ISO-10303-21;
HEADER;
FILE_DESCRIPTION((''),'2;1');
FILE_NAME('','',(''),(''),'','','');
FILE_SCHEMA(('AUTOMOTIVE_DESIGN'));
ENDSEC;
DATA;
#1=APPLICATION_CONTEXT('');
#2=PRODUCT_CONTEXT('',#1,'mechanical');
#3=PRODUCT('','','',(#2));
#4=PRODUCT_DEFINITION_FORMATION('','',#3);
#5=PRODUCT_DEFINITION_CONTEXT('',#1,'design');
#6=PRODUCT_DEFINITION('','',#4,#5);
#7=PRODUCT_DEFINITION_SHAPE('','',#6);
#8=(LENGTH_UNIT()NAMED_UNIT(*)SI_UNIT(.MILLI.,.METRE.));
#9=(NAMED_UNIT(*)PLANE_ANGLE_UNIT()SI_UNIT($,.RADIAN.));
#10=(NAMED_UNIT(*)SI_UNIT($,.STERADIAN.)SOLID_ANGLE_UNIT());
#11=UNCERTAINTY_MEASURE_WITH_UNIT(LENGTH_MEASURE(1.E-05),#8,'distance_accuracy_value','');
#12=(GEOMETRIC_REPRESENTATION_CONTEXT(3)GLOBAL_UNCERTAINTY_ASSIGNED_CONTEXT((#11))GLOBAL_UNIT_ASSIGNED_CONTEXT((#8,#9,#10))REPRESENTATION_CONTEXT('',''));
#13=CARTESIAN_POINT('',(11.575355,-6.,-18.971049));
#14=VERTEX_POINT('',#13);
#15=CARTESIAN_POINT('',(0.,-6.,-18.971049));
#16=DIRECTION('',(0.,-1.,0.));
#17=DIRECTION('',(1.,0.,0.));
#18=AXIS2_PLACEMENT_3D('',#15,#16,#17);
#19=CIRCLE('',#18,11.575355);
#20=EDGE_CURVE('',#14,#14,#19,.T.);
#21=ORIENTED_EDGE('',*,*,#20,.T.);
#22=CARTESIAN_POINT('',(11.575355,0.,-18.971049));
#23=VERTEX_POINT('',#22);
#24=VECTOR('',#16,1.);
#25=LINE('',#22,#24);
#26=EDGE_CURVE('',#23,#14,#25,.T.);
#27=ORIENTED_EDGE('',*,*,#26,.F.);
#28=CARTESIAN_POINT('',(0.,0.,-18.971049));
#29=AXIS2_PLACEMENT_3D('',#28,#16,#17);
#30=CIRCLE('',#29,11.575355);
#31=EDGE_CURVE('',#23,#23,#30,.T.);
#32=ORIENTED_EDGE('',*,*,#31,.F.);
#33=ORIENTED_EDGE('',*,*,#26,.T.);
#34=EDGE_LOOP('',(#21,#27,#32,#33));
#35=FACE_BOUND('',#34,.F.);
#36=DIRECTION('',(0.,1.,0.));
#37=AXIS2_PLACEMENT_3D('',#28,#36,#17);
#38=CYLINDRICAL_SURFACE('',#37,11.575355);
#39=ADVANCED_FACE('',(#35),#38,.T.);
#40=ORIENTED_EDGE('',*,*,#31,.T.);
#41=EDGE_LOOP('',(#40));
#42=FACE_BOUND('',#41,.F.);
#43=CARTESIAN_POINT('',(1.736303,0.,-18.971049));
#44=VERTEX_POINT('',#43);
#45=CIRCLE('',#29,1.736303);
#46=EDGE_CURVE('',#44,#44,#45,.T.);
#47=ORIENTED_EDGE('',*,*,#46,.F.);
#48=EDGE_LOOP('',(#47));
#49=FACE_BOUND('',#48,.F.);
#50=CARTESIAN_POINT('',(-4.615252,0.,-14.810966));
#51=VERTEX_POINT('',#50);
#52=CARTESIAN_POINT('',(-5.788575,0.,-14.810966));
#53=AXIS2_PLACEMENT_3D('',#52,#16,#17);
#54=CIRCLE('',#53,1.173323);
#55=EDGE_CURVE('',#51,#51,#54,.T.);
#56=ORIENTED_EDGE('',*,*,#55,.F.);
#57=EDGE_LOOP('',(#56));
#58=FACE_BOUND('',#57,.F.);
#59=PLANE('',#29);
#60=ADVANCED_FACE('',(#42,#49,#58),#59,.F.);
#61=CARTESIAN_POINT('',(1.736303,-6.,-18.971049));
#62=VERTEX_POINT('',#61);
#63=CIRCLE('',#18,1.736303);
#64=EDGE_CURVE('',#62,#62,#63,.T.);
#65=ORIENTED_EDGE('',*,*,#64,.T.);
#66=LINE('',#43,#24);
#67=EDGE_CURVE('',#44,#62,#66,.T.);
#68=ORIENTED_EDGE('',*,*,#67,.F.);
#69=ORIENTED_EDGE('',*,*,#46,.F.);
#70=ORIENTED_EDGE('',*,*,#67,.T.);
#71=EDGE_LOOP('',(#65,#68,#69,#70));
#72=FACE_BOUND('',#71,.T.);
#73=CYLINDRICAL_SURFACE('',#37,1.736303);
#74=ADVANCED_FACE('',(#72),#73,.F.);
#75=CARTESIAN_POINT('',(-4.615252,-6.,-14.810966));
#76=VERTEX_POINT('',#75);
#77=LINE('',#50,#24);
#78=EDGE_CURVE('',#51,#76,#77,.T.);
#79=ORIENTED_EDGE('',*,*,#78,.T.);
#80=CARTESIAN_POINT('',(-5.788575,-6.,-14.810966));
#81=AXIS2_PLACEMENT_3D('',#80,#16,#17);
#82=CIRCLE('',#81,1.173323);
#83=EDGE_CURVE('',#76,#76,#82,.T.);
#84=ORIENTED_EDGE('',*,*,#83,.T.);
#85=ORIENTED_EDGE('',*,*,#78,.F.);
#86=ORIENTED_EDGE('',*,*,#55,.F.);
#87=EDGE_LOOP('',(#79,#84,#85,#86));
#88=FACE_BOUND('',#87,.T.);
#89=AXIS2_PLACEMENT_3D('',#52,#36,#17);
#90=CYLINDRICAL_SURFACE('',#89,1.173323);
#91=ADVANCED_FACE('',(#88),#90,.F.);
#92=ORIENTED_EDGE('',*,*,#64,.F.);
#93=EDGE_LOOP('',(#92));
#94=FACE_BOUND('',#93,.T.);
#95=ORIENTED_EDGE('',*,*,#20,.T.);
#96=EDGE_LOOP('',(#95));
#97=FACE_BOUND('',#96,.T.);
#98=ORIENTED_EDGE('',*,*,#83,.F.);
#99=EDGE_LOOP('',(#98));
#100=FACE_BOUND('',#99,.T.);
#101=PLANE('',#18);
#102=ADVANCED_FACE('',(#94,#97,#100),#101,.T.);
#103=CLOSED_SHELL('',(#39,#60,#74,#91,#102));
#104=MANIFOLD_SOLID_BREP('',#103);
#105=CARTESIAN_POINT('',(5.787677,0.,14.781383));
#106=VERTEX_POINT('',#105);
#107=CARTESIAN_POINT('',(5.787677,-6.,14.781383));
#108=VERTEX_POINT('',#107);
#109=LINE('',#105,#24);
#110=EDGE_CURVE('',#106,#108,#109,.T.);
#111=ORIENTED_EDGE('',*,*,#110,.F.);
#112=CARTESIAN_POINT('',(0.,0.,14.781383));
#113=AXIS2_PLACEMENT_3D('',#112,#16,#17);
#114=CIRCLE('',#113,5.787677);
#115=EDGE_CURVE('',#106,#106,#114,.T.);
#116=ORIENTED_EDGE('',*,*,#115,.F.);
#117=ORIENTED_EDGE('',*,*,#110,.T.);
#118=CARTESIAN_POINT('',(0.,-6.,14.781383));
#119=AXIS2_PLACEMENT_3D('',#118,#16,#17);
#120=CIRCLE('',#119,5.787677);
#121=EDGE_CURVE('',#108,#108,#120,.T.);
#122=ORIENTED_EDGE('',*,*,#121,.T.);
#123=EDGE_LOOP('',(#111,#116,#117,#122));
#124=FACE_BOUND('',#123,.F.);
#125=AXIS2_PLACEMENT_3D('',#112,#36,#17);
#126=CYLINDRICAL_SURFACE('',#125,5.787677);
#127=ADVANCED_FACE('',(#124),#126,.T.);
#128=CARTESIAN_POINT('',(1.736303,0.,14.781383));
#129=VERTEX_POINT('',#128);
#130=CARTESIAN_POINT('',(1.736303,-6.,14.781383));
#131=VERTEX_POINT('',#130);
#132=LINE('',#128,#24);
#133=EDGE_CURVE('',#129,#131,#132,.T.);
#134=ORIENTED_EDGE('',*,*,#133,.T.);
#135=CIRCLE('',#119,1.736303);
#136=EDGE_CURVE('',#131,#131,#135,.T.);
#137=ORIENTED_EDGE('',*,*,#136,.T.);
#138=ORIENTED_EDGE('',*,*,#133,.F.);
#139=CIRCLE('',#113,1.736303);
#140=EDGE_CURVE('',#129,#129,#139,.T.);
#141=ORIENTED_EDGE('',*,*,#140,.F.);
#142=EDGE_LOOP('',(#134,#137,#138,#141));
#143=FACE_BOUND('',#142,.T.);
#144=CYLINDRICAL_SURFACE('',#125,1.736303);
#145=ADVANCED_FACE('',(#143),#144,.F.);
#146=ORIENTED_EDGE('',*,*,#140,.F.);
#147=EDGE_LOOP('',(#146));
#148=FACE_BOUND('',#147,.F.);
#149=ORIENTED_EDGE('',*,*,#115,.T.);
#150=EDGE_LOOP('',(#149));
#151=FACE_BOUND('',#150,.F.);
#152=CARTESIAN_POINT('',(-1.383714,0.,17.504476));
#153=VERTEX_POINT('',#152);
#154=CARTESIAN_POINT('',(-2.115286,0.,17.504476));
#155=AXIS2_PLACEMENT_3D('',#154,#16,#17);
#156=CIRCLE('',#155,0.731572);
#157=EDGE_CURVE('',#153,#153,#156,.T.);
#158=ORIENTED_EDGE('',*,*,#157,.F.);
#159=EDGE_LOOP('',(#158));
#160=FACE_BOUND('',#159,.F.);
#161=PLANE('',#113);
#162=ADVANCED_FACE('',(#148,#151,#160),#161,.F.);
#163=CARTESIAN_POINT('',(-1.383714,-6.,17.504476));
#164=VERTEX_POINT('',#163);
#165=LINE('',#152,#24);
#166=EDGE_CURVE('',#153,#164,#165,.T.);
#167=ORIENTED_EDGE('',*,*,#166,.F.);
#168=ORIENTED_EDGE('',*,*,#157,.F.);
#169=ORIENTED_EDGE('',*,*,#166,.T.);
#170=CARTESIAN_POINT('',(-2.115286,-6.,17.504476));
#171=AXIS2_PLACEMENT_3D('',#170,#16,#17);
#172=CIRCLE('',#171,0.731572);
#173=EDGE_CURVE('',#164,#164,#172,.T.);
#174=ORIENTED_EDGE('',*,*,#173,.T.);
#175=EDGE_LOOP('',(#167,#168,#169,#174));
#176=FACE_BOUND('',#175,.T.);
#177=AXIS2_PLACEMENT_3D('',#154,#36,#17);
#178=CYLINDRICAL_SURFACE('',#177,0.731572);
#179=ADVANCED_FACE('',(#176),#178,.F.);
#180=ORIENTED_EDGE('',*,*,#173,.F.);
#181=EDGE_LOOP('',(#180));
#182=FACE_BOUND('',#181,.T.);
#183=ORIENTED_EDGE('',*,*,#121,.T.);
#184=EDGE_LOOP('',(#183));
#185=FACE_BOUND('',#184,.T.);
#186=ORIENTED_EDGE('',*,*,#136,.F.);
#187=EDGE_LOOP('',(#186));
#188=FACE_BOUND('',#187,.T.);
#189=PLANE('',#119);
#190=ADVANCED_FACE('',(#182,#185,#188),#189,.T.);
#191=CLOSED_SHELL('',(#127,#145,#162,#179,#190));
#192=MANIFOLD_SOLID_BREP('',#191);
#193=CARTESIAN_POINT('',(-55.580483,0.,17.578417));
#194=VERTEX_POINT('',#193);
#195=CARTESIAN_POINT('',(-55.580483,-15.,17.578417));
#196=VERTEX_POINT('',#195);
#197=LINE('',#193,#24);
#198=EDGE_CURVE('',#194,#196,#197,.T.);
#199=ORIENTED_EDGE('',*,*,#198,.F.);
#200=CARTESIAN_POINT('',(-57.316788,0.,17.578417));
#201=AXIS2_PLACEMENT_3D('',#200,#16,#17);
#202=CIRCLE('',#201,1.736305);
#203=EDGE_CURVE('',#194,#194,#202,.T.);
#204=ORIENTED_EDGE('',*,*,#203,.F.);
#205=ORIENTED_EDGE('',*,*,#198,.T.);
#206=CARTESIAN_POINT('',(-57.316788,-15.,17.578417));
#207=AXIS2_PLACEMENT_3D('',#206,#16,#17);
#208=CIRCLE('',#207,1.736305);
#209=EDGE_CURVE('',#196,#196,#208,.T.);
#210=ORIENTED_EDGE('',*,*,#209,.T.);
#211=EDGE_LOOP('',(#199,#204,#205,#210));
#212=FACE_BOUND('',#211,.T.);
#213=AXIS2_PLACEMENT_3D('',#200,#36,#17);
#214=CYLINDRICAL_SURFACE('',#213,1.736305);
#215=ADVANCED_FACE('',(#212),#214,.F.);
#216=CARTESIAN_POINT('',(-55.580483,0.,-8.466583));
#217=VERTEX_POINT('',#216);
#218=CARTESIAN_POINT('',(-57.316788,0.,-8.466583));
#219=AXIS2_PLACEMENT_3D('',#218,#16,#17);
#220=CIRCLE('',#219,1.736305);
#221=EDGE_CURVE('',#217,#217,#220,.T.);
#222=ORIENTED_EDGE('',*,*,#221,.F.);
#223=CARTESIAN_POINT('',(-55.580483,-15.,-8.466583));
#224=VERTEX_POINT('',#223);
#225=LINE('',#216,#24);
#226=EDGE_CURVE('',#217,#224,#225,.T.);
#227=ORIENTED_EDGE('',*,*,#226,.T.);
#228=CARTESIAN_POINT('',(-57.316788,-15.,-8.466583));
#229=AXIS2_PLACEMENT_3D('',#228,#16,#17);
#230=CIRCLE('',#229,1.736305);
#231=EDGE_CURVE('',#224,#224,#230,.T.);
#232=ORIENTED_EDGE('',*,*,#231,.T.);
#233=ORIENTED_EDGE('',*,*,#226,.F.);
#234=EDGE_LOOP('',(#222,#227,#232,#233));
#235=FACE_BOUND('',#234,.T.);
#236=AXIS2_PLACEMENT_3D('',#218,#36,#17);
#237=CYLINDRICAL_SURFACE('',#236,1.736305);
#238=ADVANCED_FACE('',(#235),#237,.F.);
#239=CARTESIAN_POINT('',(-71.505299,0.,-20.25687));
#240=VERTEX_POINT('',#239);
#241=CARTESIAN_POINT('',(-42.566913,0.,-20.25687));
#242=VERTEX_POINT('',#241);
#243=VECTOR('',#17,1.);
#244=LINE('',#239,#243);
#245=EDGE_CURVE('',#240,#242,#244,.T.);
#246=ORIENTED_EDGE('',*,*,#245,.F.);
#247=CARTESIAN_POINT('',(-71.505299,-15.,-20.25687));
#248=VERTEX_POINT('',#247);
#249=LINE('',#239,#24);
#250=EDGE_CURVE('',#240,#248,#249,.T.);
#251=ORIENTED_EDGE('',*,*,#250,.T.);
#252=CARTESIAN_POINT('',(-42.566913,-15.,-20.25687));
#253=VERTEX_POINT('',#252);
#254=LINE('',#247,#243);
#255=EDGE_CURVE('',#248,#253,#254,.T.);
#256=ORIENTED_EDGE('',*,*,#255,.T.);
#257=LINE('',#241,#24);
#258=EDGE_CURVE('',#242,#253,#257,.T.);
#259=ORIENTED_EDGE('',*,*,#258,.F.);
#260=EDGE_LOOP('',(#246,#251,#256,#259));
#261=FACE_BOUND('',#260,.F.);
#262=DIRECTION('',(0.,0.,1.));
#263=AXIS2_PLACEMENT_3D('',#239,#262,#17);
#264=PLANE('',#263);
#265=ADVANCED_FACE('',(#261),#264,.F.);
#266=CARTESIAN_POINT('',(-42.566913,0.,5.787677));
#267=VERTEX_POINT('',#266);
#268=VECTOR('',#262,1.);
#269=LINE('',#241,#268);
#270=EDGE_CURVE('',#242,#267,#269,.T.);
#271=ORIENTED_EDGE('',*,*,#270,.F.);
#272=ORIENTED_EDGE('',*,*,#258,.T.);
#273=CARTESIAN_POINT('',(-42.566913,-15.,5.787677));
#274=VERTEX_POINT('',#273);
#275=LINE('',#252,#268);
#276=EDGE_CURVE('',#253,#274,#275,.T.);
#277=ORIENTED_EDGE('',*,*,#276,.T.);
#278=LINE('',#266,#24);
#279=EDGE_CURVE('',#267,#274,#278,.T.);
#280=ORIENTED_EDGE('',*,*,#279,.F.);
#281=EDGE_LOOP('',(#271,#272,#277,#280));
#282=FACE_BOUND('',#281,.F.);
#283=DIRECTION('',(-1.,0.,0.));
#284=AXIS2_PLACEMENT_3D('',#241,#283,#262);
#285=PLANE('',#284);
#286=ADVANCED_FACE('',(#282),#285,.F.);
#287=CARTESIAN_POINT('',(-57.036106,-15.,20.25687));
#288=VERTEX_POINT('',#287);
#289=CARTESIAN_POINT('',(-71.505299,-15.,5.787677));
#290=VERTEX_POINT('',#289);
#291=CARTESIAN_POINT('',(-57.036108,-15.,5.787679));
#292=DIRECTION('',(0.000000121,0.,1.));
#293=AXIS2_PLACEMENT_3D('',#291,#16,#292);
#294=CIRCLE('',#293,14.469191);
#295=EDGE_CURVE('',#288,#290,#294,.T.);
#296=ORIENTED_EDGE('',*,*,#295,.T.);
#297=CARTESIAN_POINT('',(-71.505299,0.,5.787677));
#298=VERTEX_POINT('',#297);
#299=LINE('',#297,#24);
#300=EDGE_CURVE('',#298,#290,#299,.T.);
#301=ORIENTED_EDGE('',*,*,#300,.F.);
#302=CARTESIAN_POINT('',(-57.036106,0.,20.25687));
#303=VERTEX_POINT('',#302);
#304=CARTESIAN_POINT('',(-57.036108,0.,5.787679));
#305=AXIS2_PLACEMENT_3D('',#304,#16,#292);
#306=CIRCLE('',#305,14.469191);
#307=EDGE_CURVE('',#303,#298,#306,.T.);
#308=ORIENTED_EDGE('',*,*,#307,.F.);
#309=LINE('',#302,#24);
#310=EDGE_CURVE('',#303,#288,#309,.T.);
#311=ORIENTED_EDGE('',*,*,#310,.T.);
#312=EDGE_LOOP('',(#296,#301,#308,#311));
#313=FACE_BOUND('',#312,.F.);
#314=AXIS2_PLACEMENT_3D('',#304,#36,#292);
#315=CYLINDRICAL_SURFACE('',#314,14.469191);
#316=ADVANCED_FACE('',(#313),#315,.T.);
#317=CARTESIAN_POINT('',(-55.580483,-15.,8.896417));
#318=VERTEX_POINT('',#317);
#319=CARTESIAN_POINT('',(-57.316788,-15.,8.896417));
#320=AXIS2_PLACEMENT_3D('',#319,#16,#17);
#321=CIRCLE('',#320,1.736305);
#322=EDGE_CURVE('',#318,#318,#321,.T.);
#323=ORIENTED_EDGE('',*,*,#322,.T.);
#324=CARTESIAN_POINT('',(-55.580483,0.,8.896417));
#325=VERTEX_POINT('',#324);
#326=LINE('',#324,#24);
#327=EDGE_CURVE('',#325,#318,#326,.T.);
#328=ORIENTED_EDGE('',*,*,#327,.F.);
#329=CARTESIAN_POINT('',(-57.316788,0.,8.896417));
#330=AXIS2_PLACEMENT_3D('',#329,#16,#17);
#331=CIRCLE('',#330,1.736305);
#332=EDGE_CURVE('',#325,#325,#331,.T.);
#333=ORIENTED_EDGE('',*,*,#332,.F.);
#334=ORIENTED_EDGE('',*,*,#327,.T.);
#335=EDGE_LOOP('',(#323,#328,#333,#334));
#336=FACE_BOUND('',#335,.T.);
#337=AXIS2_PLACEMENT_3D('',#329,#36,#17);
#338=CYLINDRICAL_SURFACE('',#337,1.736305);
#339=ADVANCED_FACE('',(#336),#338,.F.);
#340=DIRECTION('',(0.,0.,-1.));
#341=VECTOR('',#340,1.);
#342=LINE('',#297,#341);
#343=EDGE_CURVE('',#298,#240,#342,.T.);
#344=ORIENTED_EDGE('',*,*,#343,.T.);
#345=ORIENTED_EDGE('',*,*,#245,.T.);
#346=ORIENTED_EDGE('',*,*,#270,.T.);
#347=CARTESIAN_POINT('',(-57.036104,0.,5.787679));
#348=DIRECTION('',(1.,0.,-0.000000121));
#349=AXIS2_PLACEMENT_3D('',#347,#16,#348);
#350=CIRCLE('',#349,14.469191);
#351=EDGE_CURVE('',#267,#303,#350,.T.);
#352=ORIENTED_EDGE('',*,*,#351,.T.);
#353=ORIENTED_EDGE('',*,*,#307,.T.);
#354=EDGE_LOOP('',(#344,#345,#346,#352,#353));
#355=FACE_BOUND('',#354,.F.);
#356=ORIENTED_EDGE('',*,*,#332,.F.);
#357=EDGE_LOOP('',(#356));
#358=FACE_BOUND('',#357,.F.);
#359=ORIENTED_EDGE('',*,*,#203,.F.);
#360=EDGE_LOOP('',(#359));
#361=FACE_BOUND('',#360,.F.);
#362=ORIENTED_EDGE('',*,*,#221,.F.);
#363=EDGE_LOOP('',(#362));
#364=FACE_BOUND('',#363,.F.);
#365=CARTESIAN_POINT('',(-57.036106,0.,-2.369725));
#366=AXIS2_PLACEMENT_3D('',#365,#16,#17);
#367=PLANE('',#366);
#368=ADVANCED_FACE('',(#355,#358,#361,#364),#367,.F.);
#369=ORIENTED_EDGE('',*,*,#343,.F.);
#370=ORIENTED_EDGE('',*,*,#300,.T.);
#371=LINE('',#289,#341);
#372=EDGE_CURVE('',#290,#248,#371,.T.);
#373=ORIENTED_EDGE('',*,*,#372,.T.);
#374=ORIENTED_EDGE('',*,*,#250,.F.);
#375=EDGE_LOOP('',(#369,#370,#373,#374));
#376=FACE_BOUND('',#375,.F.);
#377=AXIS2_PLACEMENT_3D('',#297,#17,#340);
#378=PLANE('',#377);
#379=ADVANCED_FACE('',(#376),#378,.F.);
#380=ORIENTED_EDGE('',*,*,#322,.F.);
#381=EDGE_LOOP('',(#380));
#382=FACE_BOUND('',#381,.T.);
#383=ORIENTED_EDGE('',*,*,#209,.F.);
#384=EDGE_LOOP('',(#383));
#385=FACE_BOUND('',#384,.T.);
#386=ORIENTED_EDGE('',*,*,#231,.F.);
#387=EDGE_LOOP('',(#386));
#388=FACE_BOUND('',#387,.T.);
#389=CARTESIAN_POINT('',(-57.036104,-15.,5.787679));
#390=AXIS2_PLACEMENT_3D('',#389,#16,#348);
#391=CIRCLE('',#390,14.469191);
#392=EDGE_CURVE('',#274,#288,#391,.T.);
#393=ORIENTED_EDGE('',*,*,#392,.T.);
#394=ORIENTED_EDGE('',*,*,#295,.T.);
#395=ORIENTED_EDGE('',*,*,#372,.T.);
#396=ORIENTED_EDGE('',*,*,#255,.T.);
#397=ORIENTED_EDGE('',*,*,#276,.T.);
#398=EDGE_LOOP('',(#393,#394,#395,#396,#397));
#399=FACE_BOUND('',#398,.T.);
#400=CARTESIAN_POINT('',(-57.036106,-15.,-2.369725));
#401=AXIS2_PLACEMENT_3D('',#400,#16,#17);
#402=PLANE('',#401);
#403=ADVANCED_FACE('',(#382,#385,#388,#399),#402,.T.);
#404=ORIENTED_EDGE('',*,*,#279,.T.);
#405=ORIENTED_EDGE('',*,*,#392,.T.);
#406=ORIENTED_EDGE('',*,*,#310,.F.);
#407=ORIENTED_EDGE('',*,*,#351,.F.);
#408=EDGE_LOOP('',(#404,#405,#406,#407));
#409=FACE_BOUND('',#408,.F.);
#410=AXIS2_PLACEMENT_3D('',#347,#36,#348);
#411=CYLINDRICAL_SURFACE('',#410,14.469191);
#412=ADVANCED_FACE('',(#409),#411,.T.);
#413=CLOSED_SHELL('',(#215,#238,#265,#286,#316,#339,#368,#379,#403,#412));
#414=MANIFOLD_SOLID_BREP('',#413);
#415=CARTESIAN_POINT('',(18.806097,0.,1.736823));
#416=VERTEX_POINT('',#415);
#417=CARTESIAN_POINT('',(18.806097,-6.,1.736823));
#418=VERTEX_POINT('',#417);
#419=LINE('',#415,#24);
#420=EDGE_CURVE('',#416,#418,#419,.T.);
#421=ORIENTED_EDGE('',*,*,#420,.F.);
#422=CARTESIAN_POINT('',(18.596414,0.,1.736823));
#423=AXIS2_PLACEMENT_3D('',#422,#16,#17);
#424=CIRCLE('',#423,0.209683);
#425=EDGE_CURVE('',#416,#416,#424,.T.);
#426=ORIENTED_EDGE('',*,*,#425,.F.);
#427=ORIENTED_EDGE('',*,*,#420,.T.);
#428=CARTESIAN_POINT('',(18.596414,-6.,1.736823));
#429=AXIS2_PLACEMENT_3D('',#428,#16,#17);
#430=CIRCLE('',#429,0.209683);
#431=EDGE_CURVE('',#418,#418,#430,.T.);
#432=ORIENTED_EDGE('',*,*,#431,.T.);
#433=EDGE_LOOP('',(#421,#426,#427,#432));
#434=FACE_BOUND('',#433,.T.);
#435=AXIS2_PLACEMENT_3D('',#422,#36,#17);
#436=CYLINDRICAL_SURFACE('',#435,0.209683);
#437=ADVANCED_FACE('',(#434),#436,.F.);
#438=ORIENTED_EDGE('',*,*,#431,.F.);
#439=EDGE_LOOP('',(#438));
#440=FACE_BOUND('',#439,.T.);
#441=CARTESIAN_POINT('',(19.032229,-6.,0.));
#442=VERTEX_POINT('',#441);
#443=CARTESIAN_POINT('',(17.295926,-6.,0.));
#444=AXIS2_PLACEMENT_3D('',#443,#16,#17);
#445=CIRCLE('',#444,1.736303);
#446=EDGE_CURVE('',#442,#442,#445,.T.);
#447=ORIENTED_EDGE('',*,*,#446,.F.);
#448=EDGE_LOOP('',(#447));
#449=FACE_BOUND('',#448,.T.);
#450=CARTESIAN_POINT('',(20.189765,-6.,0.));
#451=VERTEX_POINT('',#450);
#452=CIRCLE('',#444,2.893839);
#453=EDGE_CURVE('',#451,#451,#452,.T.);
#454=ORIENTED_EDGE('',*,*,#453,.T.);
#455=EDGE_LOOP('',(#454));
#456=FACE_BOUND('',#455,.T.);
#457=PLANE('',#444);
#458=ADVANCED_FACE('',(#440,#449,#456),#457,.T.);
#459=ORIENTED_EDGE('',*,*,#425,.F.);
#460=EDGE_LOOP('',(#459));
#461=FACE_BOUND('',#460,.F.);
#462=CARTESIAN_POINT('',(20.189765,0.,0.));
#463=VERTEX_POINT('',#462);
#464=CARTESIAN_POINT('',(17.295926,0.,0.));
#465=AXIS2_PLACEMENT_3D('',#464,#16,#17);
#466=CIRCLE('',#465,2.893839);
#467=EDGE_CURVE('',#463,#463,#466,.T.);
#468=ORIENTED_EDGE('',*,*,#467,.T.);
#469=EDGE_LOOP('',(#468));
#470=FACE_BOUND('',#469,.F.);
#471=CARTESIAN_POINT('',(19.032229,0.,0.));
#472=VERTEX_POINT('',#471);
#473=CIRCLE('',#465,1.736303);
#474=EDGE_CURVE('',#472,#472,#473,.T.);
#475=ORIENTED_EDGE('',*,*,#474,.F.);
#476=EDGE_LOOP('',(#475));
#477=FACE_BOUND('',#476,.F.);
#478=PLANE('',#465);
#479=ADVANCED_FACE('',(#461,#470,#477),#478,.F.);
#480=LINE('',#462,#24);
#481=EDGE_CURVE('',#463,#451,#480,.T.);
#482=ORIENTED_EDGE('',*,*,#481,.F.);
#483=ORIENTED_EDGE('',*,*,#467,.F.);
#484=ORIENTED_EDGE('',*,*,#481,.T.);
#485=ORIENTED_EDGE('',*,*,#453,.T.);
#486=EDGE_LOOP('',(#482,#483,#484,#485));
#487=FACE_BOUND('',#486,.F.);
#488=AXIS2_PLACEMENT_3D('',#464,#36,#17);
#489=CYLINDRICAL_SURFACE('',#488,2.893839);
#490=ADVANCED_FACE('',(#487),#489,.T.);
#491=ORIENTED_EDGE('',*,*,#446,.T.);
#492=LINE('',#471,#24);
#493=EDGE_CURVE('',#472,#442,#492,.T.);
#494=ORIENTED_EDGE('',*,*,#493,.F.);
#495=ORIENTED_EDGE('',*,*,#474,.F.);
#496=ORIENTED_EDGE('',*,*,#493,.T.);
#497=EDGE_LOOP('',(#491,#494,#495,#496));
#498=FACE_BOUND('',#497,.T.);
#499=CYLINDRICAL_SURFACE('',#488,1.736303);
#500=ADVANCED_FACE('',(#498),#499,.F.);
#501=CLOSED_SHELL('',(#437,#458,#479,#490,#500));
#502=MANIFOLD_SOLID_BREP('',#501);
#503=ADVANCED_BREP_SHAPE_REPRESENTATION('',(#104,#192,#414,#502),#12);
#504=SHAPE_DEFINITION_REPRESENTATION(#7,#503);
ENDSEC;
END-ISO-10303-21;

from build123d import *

# Parameters (mm, degrees)
F0_R     = 1.736305
F1_DEPTH = 15
F0_R_2   = 5.787677
F0_R_3   = 1.736303
F0_R_4   = 0.731572
F2_DEPTH = 6
F0_R_5   = 11.575355
F0_R_6   = 1.173323
F3_DEPTH = 6
F0_R_7   = 2.893839
F0_R_8   = 0.209683
F4_DEPTH = 6


with BuildPart() as f1:
    # F0 (on Front) → F1 (new body)
    with BuildSketch(Plane.XZ):
        with BuildLine():
            Line((-71.505299, -20.25687), (-42.566913, -20.25687))
            Line((-42.566913, -20.25687), (-42.566913, 5.787677))
            ThreePointArc((-42.566913, 5.787677), (-46.804841, 16.018942), (-57.036106, 20.25687))
            ThreePointArc((-57.036106, 20.25687), (-67.267371, 16.018942), (-71.505299, 5.787677))
            Line((-71.505299, 5.787677), (-71.505299, -20.25687))
        make_face()
        with Locations((-57.316788, -8.466583)):
            Circle(F0_R, mode=Mode.SUBTRACT)
        with Locations((-57.316788, 8.896417)):
            Circle(F0_R, mode=Mode.SUBTRACT)
        with Locations((-57.316788, 17.578417)):
            Circle(F0_R, mode=Mode.SUBTRACT)
    extrude(amount=F1_DEPTH)


with BuildPart() as f2:
    # F0 (on Front) → F2 (new body)
    with BuildSketch(Plane.XZ):
        with Locations((0, 14.781383)):
            Circle(F0_R_2)
        with Locations((0, 14.781383)):
            Circle(F0_R_3, mode=Mode.SUBTRACT)
        with Locations((-2.115286, 17.504476)):
            Circle(F0_R_4, mode=Mode.SUBTRACT)
    extrude(amount=F2_DEPTH)


with BuildPart() as f3:
    # F0 (on Front) → F3 (new body)
    with BuildSketch(Plane.XZ):
        with Locations((0, -18.971049)):
            Circle(F0_R_5)
        with Locations((0, -18.971049)):
            Circle(F0_R_3, mode=Mode.SUBTRACT)
        with Locations((-5.788575, -14.810966)):
            Circle(F0_R_6, mode=Mode.SUBTRACT)
    extrude(amount=F3_DEPTH)


with BuildPart() as f4:
    # F0 (on Front) → F4 (new body)
    with BuildSketch(Plane.XZ):
        with Locations((17.295926, 0)):
            Circle(F0_R_7)
        with Locations((17.295926, 0)):
            Circle(F0_R_3, mode=Mode.SUBTRACT)
        with Locations((18.596414, 1.736823)):
            Circle(F0_R_8, mode=Mode.SUBTRACT)
    extrude(amount=F4_DEPTH)


solid = Compound([f1.part, f2.part, f3.part, f4.part])
